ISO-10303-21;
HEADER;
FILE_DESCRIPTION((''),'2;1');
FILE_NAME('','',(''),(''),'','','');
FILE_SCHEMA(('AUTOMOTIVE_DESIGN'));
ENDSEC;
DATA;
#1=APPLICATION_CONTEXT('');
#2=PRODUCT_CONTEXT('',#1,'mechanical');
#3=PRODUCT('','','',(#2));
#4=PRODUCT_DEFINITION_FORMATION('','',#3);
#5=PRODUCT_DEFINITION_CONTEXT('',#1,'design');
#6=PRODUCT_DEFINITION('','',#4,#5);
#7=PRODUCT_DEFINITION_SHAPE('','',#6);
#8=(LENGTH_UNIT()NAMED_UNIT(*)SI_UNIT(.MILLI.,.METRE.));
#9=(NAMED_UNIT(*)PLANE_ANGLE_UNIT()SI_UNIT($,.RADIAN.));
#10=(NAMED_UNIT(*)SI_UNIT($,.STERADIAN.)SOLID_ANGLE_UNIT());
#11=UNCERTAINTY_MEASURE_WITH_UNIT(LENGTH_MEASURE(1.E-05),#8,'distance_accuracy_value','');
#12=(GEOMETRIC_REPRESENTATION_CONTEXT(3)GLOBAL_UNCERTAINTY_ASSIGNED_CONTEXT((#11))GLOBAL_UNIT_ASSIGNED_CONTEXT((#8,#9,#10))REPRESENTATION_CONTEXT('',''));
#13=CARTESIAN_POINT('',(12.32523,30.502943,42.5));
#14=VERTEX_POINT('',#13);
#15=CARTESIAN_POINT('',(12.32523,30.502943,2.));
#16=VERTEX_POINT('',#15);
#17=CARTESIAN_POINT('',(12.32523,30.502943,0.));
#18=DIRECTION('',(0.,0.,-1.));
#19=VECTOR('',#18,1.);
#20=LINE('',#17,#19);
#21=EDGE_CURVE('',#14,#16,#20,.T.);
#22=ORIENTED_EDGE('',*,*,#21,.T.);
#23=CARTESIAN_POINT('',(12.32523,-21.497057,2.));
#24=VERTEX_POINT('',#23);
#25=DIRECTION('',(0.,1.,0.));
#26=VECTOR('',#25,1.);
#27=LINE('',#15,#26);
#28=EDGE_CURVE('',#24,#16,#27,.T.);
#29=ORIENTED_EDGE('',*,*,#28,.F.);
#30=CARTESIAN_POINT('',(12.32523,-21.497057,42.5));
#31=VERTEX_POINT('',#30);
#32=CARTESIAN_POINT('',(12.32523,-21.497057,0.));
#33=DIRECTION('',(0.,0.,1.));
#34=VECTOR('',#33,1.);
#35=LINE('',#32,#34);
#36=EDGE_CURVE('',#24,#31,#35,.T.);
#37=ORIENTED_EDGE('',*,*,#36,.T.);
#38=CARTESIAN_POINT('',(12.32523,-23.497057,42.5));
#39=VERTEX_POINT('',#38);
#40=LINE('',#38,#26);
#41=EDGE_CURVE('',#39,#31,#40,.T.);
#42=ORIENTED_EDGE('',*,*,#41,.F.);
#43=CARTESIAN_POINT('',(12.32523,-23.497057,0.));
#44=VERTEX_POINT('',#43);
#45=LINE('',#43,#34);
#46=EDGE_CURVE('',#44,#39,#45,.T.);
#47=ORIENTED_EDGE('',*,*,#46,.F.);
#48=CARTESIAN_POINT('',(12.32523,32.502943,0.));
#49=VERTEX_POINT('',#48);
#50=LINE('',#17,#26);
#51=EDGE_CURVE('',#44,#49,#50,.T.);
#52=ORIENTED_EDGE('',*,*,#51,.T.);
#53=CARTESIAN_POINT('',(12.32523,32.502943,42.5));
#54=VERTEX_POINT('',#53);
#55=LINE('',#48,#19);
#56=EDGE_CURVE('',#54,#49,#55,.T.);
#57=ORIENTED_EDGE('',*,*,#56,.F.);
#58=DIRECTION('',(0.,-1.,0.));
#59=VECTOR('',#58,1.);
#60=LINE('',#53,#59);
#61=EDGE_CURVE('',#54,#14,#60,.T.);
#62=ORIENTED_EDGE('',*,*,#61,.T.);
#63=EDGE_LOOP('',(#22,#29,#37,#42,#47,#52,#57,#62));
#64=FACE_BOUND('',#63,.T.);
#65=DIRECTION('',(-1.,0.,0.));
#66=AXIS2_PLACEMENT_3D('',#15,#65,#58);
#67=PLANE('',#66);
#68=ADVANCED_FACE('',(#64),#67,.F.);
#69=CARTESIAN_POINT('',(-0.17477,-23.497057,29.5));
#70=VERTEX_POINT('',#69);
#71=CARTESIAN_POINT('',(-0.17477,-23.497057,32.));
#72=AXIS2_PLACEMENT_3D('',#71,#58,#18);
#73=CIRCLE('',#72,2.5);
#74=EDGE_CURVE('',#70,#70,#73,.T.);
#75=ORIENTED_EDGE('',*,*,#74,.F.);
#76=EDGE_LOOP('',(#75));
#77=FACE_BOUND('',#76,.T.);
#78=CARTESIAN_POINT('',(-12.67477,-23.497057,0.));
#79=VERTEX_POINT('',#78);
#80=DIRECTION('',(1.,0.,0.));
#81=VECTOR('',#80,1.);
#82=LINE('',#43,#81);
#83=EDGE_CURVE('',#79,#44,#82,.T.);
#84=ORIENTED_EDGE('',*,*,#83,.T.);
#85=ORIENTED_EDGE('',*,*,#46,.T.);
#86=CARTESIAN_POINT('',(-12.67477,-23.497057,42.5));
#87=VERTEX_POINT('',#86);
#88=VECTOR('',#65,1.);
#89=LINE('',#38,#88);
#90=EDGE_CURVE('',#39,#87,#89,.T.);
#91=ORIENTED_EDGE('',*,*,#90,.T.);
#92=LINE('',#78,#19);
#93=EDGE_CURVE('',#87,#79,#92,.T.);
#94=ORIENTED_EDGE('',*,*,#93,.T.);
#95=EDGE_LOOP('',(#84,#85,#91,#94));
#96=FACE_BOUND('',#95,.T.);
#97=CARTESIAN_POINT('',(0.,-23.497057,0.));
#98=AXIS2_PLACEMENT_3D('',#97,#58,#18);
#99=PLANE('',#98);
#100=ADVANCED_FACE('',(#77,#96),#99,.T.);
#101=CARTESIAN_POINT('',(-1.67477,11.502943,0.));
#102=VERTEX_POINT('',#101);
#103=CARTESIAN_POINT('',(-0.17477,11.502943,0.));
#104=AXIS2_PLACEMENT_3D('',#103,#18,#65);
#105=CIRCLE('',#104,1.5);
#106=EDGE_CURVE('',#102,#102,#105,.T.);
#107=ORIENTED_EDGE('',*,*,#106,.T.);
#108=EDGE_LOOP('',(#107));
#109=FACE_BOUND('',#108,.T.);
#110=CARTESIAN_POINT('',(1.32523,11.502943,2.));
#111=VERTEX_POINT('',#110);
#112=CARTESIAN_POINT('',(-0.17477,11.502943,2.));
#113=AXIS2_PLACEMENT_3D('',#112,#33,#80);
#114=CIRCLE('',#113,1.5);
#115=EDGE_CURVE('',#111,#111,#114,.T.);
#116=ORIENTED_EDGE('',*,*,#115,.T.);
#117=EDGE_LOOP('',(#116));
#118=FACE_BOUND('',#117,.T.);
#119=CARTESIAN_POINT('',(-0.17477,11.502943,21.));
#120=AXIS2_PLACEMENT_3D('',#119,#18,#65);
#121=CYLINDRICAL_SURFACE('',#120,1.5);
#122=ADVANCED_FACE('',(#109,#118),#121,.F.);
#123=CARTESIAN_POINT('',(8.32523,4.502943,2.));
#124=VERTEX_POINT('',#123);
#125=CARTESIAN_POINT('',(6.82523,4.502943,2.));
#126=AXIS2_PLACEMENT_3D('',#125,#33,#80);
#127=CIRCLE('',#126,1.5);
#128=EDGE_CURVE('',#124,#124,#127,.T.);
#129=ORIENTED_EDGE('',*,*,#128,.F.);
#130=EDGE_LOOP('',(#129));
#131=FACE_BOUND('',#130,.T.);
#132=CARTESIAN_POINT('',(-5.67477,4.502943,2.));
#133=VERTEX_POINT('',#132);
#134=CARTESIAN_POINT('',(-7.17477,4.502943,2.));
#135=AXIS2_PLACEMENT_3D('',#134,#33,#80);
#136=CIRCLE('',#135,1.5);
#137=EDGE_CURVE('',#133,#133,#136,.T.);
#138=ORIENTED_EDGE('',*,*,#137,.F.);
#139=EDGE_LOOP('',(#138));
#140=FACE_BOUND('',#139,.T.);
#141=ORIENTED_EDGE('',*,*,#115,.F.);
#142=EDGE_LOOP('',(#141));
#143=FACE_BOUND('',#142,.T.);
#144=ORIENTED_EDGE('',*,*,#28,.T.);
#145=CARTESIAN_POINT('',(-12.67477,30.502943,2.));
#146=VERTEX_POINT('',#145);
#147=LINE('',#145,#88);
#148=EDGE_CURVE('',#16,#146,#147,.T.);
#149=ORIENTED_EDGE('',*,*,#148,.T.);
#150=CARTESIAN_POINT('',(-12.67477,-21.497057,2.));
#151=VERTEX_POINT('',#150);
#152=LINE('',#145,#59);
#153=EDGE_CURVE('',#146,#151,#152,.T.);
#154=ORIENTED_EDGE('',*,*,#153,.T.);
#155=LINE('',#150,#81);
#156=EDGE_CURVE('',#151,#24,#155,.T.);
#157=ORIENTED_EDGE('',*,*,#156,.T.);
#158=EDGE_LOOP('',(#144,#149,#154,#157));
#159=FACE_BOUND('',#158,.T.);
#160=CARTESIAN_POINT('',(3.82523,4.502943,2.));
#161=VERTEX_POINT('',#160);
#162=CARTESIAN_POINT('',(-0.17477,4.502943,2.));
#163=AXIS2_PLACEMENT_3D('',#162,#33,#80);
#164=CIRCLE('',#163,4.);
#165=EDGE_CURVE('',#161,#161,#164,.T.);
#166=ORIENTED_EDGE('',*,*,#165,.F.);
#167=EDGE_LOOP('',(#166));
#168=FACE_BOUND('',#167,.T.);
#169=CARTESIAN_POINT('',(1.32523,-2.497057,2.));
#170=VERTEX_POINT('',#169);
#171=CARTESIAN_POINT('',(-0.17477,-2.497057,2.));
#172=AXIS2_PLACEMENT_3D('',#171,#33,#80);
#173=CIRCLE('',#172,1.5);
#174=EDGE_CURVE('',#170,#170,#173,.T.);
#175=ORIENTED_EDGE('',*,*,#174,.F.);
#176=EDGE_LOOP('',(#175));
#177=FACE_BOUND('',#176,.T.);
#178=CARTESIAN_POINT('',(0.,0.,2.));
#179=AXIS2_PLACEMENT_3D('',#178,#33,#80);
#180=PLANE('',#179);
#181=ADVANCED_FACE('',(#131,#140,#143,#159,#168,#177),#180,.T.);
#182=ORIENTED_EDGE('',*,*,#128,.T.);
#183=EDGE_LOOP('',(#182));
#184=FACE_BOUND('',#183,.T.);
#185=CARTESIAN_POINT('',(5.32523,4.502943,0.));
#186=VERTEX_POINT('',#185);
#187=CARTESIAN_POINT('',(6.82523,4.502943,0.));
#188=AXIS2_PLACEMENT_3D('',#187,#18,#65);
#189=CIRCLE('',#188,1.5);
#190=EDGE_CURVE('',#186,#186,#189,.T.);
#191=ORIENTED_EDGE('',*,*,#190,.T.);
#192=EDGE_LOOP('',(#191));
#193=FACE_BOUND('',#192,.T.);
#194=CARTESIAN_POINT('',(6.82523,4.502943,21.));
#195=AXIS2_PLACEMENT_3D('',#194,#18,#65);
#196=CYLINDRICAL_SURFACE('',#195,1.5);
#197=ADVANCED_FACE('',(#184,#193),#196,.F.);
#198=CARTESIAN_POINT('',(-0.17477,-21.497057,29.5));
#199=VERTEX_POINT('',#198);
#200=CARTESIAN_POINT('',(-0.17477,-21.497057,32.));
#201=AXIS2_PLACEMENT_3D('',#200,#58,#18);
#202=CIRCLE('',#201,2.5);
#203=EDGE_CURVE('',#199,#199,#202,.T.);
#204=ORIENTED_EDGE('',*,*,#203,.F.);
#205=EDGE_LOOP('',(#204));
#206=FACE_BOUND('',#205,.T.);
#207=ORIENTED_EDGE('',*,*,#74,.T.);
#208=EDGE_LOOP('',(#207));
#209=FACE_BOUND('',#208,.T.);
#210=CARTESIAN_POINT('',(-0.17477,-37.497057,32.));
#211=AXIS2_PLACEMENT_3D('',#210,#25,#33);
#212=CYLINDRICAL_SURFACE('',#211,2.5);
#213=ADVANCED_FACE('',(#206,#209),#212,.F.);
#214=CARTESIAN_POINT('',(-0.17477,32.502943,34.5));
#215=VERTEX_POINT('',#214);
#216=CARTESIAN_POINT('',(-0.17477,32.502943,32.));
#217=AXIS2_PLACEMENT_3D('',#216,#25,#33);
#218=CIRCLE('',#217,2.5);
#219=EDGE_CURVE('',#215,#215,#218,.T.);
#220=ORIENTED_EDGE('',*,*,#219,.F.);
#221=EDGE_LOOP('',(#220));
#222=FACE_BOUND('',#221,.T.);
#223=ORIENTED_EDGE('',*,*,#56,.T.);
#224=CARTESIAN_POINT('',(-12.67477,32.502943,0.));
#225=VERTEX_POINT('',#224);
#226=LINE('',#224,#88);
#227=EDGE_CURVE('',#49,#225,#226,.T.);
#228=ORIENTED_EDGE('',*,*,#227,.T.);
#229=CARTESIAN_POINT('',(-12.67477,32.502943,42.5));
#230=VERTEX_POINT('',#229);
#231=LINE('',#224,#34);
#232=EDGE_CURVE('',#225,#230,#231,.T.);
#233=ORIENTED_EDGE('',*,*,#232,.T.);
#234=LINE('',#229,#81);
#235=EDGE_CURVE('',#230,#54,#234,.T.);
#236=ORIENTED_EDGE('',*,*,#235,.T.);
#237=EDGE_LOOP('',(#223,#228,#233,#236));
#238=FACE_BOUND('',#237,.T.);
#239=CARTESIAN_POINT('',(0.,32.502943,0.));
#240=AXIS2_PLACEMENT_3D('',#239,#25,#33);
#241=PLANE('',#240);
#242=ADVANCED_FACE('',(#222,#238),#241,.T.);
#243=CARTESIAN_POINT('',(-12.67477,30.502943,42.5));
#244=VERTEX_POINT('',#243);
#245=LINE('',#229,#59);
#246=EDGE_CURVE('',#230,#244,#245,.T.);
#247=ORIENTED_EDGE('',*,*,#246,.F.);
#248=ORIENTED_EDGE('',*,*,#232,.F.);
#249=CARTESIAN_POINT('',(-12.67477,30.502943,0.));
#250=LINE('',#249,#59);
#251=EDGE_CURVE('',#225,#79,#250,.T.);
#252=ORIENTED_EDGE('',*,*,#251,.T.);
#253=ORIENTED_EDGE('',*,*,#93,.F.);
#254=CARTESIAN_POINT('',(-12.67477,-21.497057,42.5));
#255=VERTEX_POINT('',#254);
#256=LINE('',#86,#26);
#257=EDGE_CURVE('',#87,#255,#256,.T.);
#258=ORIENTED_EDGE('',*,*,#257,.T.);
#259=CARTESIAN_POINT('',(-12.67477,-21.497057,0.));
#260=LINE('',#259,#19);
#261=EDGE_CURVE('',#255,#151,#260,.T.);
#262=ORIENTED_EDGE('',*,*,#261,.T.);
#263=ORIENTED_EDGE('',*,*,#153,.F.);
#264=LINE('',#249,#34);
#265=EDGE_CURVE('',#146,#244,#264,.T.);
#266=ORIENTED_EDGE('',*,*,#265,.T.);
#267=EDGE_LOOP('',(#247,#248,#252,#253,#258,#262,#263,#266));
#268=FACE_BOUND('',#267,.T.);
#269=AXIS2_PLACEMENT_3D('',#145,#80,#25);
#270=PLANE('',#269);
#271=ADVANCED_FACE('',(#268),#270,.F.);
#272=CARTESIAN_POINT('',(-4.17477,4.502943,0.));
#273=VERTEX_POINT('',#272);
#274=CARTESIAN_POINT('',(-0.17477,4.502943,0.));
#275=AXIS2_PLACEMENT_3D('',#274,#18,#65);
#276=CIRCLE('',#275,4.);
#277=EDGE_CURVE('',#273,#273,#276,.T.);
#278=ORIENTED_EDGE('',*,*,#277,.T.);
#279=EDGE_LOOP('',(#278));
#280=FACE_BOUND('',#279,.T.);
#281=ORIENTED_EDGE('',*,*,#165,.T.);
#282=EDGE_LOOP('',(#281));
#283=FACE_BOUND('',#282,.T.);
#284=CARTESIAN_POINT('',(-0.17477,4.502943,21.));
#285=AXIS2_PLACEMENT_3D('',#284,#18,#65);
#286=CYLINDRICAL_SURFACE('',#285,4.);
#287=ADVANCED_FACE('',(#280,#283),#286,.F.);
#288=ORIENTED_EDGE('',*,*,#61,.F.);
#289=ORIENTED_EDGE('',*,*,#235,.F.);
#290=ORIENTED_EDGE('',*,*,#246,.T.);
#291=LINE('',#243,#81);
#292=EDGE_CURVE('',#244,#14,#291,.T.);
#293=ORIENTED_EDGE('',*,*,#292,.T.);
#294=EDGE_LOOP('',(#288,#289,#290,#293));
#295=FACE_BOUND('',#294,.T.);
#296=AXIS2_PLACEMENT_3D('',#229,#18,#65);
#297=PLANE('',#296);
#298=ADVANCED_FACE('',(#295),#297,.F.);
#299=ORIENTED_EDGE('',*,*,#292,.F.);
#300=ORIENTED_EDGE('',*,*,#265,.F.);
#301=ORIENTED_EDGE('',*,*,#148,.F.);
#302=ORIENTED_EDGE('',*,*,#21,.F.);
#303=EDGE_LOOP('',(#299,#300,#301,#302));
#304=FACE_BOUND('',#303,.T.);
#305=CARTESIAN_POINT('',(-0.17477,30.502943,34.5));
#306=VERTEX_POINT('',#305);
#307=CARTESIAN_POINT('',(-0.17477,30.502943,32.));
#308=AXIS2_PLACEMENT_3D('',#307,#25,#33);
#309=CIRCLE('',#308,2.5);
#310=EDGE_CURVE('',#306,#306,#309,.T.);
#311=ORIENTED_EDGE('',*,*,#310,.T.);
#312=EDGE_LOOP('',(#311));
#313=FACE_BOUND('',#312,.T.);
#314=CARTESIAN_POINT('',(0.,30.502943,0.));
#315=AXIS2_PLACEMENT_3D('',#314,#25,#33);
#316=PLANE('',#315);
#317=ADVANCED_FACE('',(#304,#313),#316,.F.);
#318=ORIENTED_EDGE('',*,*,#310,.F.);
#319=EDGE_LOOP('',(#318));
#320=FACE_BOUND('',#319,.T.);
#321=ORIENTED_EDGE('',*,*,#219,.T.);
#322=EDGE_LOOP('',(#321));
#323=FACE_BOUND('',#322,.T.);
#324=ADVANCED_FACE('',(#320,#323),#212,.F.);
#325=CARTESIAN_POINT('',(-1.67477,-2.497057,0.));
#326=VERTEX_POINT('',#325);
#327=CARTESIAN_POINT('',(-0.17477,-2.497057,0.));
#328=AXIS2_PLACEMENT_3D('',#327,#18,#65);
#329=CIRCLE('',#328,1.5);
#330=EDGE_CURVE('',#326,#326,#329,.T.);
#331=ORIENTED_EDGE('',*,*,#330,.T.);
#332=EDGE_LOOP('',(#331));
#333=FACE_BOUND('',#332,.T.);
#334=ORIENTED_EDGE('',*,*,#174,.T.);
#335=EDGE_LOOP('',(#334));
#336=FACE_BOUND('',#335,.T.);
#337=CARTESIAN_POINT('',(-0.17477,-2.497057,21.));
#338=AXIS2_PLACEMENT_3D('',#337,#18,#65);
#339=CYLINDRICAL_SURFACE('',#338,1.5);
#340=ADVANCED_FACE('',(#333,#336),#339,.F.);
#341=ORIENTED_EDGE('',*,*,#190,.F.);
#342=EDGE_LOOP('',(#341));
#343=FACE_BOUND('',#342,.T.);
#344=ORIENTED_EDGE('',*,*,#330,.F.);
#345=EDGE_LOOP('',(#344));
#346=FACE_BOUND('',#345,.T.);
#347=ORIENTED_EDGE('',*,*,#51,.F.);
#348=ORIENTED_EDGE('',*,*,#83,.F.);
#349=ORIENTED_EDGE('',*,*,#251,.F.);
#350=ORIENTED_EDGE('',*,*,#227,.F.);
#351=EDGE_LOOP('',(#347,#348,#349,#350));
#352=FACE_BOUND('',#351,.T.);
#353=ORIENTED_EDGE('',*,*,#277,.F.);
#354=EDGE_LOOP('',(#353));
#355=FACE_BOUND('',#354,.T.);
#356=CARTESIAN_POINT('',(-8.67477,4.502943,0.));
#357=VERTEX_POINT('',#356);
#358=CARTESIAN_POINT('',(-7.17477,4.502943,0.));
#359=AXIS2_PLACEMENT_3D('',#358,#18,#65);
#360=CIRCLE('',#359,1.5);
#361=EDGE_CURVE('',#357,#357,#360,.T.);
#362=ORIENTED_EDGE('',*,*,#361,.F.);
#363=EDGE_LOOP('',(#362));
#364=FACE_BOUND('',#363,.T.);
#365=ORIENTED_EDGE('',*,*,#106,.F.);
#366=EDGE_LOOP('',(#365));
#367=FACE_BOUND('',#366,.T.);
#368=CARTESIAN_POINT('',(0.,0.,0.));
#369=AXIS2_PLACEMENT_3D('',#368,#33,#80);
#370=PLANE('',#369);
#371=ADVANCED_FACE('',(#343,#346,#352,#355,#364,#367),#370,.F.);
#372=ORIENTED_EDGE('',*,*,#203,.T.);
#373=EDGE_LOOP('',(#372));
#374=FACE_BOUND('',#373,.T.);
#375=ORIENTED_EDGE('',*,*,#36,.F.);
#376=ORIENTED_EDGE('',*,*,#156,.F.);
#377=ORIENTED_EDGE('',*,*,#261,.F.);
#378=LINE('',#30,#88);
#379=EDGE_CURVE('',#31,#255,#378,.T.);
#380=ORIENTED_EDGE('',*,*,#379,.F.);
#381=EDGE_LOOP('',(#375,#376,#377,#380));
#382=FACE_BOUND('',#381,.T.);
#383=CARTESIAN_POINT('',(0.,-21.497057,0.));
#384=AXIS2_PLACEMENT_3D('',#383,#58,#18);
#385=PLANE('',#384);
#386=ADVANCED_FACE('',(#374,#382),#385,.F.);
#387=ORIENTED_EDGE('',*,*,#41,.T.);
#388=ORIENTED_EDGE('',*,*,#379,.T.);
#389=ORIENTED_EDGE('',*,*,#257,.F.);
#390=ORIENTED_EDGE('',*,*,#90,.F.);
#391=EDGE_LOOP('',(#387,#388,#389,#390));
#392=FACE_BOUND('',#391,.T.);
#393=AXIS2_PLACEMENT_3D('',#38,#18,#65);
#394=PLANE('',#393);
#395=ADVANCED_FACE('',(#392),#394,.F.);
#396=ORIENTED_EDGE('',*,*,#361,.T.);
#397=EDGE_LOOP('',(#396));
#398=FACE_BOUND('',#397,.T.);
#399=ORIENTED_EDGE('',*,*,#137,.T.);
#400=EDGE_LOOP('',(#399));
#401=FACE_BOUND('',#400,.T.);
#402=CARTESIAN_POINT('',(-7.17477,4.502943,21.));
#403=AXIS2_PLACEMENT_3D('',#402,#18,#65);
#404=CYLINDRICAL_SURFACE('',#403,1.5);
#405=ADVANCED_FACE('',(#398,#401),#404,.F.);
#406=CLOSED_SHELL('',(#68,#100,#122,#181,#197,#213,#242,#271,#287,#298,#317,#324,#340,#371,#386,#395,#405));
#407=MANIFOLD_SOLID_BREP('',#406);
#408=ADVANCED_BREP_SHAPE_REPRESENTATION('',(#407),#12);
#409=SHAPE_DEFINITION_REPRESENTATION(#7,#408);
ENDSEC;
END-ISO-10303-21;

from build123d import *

# Parameters (mm, degrees)
SKETCH1_W           = 25
SKETCH1_H           = 52
BOSS_EXTRUDE1_DEPTH = 2
SKETCH2_W           = 25
SKETCH2_H           = 42.5
BOSS_EXTRUDE2_DEPTH = 2
SKETCH3_W           = 25
SKETCH3_H           = 42.5
BOSS_EXTRUDE3_DEPTH = 2
SKETCH4_R           = 2.5
CUT_EXTRUDE1_DEPTH  = 70
SKETCH5_R           = 4
CUT_EXTRUDE2_DEPTH  = 21
SKETCH6_R           = 1.5
CUT_EXTRUDE3_DEPTH  = 21


with BuildPart() as part:
    # Sketch1 → Boss-Extrude1 (new body)
    with BuildSketch(Plane.XY):
        with Locations((-0.174770451, 4.502942624)):
            Rectangle(SKETCH1_W, SKETCH1_H)
    extrude(amount=BOSS_EXTRUDE1_DEPTH)

    # Sketch2 → Boss-Extrude2 (add)
    with BuildSketch(Plane(origin=(0, 30.502942624, 0), x_dir=(1, 0, 0), z_dir=(0, 1, 0))):
        with Locations((-0.174770451, -21.25)):
            Rectangle(SKETCH2_W, SKETCH2_H)
    extrude(amount=BOSS_EXTRUDE2_DEPTH)

    # Sketch3 → Boss-Extrude3 (add)
    with BuildSketch(Plane(origin=(0, -21.497057376, 0), x_dir=(-1, 0, 0), z_dir=(0, -1, 0))):
        with Locations((0.174770451, -21.25)):
            Rectangle(SKETCH3_W, SKETCH3_H)
    extrude(amount=BOSS_EXTRUDE3_DEPTH)

    # Sketch4 → Cut-Extrude1 (cut)
    with BuildSketch(Plane(origin=(0, 32.502942624, 0), x_dir=(1, 0, 0), z_dir=(0, 1, 0))):
        with Locations(Location((-0.174770451, -32, 0), (0, 0, 90))):
            Circle(SKETCH4_R)
    extrude(amount=-CUT_EXTRUDE1_DEPTH, mode=Mode.SUBTRACT)

    # Sketch5 → Cut-Extrude2 (cut)
    with BuildSketch(Plane(origin=(0, 0, 0), x_dir=(-1, 0, 0), z_dir=(0, 0, -1))):
        with Locations((0.174770451, 4.502942624)):
            Circle(SKETCH5_R)
    extrude(amount=-CUT_EXTRUDE2_DEPTH, mode=Mode.SUBTRACT)

    # Sketch6 → Cut-Extrude3 (cut)
    with BuildSketch(Plane(origin=(0, 0, 0), x_dir=(-1, 0, 0), z_dir=(0, 0, -1))):
        with Locations((7.174770451, 4.502942624)):
            Circle(SKETCH6_R)
        with Locations((0.174770451, -2.497057376)):
            Circle(SKETCH6_R)
        with Locations((-6.825229549, 4.502942624)):
            Circle(SKETCH6_R)
        with Locations((0.174770451, 11.502942624)):
            Circle(SKETCH6_R)
    extrude(amount=-CUT_EXTRUDE3_DEPTH, mode=Mode.SUBTRACT)


solid = part.part
